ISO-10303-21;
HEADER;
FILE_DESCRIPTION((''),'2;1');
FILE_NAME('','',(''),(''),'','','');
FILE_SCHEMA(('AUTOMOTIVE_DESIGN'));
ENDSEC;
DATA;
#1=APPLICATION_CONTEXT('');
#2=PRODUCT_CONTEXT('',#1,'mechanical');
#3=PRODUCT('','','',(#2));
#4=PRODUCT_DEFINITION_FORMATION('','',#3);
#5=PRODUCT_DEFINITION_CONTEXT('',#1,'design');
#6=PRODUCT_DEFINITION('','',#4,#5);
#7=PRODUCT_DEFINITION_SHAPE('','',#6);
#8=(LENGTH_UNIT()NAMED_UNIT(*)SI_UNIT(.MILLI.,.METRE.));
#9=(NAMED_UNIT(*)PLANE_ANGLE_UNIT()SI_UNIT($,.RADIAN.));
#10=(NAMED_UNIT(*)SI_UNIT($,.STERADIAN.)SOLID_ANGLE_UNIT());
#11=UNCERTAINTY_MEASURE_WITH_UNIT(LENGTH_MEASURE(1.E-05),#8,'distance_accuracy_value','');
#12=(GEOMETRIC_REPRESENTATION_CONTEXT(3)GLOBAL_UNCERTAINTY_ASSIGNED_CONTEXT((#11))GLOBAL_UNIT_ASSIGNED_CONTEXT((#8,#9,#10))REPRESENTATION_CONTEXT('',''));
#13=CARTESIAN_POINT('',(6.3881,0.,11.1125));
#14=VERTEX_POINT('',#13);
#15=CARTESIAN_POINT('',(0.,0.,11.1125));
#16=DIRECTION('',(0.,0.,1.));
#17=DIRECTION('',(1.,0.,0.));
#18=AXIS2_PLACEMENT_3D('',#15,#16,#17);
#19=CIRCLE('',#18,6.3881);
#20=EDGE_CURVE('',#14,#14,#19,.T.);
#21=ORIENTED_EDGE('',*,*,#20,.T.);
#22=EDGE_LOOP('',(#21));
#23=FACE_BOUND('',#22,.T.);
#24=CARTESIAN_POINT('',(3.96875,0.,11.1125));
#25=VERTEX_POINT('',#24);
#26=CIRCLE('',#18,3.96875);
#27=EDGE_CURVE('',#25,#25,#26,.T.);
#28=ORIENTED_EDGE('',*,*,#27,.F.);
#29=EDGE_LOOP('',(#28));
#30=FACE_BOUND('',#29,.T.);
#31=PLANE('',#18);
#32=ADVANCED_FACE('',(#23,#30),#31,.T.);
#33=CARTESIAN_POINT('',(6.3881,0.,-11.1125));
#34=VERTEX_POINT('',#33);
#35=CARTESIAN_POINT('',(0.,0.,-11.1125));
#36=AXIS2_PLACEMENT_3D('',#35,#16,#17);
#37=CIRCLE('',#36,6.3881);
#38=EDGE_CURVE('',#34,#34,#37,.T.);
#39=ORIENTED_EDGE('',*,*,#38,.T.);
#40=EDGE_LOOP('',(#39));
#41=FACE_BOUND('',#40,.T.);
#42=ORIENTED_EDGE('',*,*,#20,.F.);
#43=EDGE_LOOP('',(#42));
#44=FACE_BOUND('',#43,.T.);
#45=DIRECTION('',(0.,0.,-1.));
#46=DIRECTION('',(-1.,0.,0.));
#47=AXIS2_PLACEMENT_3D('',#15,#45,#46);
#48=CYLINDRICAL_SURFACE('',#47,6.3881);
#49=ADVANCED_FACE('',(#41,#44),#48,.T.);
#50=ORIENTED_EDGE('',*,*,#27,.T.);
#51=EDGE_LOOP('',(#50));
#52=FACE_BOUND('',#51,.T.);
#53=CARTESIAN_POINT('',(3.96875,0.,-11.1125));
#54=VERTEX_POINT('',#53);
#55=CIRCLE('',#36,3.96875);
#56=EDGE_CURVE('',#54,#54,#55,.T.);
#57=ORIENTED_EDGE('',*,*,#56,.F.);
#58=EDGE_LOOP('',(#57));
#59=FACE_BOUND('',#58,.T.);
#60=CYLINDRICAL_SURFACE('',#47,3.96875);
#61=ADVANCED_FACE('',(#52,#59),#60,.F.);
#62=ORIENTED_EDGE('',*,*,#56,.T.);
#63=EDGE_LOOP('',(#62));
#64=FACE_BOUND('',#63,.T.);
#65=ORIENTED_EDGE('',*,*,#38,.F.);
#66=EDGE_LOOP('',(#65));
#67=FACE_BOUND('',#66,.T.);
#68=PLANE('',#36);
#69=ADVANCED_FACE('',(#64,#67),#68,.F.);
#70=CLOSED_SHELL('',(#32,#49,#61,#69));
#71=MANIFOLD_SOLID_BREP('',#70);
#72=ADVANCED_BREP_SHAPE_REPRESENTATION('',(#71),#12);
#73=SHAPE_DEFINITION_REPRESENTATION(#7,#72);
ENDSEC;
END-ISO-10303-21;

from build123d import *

# Parameters (mm, degrees)
SKETCH5_R           = 6.3881
SKETCH5_R_2         = 3.96875
BOSS_EXTRUDE1_DEPTH = 11.1125


with BuildPart() as part:
    # Sketch5 → Boss-Extrude1 (new, symmetric)
    with BuildSketch(Plane.XY):
        Circle(SKETCH5_R)
        Circle(SKETCH5_R_2, mode=Mode.SUBTRACT)
    extrude(amount=BOSS_EXTRUDE1_DEPTH, both=True)


solid = part.part
